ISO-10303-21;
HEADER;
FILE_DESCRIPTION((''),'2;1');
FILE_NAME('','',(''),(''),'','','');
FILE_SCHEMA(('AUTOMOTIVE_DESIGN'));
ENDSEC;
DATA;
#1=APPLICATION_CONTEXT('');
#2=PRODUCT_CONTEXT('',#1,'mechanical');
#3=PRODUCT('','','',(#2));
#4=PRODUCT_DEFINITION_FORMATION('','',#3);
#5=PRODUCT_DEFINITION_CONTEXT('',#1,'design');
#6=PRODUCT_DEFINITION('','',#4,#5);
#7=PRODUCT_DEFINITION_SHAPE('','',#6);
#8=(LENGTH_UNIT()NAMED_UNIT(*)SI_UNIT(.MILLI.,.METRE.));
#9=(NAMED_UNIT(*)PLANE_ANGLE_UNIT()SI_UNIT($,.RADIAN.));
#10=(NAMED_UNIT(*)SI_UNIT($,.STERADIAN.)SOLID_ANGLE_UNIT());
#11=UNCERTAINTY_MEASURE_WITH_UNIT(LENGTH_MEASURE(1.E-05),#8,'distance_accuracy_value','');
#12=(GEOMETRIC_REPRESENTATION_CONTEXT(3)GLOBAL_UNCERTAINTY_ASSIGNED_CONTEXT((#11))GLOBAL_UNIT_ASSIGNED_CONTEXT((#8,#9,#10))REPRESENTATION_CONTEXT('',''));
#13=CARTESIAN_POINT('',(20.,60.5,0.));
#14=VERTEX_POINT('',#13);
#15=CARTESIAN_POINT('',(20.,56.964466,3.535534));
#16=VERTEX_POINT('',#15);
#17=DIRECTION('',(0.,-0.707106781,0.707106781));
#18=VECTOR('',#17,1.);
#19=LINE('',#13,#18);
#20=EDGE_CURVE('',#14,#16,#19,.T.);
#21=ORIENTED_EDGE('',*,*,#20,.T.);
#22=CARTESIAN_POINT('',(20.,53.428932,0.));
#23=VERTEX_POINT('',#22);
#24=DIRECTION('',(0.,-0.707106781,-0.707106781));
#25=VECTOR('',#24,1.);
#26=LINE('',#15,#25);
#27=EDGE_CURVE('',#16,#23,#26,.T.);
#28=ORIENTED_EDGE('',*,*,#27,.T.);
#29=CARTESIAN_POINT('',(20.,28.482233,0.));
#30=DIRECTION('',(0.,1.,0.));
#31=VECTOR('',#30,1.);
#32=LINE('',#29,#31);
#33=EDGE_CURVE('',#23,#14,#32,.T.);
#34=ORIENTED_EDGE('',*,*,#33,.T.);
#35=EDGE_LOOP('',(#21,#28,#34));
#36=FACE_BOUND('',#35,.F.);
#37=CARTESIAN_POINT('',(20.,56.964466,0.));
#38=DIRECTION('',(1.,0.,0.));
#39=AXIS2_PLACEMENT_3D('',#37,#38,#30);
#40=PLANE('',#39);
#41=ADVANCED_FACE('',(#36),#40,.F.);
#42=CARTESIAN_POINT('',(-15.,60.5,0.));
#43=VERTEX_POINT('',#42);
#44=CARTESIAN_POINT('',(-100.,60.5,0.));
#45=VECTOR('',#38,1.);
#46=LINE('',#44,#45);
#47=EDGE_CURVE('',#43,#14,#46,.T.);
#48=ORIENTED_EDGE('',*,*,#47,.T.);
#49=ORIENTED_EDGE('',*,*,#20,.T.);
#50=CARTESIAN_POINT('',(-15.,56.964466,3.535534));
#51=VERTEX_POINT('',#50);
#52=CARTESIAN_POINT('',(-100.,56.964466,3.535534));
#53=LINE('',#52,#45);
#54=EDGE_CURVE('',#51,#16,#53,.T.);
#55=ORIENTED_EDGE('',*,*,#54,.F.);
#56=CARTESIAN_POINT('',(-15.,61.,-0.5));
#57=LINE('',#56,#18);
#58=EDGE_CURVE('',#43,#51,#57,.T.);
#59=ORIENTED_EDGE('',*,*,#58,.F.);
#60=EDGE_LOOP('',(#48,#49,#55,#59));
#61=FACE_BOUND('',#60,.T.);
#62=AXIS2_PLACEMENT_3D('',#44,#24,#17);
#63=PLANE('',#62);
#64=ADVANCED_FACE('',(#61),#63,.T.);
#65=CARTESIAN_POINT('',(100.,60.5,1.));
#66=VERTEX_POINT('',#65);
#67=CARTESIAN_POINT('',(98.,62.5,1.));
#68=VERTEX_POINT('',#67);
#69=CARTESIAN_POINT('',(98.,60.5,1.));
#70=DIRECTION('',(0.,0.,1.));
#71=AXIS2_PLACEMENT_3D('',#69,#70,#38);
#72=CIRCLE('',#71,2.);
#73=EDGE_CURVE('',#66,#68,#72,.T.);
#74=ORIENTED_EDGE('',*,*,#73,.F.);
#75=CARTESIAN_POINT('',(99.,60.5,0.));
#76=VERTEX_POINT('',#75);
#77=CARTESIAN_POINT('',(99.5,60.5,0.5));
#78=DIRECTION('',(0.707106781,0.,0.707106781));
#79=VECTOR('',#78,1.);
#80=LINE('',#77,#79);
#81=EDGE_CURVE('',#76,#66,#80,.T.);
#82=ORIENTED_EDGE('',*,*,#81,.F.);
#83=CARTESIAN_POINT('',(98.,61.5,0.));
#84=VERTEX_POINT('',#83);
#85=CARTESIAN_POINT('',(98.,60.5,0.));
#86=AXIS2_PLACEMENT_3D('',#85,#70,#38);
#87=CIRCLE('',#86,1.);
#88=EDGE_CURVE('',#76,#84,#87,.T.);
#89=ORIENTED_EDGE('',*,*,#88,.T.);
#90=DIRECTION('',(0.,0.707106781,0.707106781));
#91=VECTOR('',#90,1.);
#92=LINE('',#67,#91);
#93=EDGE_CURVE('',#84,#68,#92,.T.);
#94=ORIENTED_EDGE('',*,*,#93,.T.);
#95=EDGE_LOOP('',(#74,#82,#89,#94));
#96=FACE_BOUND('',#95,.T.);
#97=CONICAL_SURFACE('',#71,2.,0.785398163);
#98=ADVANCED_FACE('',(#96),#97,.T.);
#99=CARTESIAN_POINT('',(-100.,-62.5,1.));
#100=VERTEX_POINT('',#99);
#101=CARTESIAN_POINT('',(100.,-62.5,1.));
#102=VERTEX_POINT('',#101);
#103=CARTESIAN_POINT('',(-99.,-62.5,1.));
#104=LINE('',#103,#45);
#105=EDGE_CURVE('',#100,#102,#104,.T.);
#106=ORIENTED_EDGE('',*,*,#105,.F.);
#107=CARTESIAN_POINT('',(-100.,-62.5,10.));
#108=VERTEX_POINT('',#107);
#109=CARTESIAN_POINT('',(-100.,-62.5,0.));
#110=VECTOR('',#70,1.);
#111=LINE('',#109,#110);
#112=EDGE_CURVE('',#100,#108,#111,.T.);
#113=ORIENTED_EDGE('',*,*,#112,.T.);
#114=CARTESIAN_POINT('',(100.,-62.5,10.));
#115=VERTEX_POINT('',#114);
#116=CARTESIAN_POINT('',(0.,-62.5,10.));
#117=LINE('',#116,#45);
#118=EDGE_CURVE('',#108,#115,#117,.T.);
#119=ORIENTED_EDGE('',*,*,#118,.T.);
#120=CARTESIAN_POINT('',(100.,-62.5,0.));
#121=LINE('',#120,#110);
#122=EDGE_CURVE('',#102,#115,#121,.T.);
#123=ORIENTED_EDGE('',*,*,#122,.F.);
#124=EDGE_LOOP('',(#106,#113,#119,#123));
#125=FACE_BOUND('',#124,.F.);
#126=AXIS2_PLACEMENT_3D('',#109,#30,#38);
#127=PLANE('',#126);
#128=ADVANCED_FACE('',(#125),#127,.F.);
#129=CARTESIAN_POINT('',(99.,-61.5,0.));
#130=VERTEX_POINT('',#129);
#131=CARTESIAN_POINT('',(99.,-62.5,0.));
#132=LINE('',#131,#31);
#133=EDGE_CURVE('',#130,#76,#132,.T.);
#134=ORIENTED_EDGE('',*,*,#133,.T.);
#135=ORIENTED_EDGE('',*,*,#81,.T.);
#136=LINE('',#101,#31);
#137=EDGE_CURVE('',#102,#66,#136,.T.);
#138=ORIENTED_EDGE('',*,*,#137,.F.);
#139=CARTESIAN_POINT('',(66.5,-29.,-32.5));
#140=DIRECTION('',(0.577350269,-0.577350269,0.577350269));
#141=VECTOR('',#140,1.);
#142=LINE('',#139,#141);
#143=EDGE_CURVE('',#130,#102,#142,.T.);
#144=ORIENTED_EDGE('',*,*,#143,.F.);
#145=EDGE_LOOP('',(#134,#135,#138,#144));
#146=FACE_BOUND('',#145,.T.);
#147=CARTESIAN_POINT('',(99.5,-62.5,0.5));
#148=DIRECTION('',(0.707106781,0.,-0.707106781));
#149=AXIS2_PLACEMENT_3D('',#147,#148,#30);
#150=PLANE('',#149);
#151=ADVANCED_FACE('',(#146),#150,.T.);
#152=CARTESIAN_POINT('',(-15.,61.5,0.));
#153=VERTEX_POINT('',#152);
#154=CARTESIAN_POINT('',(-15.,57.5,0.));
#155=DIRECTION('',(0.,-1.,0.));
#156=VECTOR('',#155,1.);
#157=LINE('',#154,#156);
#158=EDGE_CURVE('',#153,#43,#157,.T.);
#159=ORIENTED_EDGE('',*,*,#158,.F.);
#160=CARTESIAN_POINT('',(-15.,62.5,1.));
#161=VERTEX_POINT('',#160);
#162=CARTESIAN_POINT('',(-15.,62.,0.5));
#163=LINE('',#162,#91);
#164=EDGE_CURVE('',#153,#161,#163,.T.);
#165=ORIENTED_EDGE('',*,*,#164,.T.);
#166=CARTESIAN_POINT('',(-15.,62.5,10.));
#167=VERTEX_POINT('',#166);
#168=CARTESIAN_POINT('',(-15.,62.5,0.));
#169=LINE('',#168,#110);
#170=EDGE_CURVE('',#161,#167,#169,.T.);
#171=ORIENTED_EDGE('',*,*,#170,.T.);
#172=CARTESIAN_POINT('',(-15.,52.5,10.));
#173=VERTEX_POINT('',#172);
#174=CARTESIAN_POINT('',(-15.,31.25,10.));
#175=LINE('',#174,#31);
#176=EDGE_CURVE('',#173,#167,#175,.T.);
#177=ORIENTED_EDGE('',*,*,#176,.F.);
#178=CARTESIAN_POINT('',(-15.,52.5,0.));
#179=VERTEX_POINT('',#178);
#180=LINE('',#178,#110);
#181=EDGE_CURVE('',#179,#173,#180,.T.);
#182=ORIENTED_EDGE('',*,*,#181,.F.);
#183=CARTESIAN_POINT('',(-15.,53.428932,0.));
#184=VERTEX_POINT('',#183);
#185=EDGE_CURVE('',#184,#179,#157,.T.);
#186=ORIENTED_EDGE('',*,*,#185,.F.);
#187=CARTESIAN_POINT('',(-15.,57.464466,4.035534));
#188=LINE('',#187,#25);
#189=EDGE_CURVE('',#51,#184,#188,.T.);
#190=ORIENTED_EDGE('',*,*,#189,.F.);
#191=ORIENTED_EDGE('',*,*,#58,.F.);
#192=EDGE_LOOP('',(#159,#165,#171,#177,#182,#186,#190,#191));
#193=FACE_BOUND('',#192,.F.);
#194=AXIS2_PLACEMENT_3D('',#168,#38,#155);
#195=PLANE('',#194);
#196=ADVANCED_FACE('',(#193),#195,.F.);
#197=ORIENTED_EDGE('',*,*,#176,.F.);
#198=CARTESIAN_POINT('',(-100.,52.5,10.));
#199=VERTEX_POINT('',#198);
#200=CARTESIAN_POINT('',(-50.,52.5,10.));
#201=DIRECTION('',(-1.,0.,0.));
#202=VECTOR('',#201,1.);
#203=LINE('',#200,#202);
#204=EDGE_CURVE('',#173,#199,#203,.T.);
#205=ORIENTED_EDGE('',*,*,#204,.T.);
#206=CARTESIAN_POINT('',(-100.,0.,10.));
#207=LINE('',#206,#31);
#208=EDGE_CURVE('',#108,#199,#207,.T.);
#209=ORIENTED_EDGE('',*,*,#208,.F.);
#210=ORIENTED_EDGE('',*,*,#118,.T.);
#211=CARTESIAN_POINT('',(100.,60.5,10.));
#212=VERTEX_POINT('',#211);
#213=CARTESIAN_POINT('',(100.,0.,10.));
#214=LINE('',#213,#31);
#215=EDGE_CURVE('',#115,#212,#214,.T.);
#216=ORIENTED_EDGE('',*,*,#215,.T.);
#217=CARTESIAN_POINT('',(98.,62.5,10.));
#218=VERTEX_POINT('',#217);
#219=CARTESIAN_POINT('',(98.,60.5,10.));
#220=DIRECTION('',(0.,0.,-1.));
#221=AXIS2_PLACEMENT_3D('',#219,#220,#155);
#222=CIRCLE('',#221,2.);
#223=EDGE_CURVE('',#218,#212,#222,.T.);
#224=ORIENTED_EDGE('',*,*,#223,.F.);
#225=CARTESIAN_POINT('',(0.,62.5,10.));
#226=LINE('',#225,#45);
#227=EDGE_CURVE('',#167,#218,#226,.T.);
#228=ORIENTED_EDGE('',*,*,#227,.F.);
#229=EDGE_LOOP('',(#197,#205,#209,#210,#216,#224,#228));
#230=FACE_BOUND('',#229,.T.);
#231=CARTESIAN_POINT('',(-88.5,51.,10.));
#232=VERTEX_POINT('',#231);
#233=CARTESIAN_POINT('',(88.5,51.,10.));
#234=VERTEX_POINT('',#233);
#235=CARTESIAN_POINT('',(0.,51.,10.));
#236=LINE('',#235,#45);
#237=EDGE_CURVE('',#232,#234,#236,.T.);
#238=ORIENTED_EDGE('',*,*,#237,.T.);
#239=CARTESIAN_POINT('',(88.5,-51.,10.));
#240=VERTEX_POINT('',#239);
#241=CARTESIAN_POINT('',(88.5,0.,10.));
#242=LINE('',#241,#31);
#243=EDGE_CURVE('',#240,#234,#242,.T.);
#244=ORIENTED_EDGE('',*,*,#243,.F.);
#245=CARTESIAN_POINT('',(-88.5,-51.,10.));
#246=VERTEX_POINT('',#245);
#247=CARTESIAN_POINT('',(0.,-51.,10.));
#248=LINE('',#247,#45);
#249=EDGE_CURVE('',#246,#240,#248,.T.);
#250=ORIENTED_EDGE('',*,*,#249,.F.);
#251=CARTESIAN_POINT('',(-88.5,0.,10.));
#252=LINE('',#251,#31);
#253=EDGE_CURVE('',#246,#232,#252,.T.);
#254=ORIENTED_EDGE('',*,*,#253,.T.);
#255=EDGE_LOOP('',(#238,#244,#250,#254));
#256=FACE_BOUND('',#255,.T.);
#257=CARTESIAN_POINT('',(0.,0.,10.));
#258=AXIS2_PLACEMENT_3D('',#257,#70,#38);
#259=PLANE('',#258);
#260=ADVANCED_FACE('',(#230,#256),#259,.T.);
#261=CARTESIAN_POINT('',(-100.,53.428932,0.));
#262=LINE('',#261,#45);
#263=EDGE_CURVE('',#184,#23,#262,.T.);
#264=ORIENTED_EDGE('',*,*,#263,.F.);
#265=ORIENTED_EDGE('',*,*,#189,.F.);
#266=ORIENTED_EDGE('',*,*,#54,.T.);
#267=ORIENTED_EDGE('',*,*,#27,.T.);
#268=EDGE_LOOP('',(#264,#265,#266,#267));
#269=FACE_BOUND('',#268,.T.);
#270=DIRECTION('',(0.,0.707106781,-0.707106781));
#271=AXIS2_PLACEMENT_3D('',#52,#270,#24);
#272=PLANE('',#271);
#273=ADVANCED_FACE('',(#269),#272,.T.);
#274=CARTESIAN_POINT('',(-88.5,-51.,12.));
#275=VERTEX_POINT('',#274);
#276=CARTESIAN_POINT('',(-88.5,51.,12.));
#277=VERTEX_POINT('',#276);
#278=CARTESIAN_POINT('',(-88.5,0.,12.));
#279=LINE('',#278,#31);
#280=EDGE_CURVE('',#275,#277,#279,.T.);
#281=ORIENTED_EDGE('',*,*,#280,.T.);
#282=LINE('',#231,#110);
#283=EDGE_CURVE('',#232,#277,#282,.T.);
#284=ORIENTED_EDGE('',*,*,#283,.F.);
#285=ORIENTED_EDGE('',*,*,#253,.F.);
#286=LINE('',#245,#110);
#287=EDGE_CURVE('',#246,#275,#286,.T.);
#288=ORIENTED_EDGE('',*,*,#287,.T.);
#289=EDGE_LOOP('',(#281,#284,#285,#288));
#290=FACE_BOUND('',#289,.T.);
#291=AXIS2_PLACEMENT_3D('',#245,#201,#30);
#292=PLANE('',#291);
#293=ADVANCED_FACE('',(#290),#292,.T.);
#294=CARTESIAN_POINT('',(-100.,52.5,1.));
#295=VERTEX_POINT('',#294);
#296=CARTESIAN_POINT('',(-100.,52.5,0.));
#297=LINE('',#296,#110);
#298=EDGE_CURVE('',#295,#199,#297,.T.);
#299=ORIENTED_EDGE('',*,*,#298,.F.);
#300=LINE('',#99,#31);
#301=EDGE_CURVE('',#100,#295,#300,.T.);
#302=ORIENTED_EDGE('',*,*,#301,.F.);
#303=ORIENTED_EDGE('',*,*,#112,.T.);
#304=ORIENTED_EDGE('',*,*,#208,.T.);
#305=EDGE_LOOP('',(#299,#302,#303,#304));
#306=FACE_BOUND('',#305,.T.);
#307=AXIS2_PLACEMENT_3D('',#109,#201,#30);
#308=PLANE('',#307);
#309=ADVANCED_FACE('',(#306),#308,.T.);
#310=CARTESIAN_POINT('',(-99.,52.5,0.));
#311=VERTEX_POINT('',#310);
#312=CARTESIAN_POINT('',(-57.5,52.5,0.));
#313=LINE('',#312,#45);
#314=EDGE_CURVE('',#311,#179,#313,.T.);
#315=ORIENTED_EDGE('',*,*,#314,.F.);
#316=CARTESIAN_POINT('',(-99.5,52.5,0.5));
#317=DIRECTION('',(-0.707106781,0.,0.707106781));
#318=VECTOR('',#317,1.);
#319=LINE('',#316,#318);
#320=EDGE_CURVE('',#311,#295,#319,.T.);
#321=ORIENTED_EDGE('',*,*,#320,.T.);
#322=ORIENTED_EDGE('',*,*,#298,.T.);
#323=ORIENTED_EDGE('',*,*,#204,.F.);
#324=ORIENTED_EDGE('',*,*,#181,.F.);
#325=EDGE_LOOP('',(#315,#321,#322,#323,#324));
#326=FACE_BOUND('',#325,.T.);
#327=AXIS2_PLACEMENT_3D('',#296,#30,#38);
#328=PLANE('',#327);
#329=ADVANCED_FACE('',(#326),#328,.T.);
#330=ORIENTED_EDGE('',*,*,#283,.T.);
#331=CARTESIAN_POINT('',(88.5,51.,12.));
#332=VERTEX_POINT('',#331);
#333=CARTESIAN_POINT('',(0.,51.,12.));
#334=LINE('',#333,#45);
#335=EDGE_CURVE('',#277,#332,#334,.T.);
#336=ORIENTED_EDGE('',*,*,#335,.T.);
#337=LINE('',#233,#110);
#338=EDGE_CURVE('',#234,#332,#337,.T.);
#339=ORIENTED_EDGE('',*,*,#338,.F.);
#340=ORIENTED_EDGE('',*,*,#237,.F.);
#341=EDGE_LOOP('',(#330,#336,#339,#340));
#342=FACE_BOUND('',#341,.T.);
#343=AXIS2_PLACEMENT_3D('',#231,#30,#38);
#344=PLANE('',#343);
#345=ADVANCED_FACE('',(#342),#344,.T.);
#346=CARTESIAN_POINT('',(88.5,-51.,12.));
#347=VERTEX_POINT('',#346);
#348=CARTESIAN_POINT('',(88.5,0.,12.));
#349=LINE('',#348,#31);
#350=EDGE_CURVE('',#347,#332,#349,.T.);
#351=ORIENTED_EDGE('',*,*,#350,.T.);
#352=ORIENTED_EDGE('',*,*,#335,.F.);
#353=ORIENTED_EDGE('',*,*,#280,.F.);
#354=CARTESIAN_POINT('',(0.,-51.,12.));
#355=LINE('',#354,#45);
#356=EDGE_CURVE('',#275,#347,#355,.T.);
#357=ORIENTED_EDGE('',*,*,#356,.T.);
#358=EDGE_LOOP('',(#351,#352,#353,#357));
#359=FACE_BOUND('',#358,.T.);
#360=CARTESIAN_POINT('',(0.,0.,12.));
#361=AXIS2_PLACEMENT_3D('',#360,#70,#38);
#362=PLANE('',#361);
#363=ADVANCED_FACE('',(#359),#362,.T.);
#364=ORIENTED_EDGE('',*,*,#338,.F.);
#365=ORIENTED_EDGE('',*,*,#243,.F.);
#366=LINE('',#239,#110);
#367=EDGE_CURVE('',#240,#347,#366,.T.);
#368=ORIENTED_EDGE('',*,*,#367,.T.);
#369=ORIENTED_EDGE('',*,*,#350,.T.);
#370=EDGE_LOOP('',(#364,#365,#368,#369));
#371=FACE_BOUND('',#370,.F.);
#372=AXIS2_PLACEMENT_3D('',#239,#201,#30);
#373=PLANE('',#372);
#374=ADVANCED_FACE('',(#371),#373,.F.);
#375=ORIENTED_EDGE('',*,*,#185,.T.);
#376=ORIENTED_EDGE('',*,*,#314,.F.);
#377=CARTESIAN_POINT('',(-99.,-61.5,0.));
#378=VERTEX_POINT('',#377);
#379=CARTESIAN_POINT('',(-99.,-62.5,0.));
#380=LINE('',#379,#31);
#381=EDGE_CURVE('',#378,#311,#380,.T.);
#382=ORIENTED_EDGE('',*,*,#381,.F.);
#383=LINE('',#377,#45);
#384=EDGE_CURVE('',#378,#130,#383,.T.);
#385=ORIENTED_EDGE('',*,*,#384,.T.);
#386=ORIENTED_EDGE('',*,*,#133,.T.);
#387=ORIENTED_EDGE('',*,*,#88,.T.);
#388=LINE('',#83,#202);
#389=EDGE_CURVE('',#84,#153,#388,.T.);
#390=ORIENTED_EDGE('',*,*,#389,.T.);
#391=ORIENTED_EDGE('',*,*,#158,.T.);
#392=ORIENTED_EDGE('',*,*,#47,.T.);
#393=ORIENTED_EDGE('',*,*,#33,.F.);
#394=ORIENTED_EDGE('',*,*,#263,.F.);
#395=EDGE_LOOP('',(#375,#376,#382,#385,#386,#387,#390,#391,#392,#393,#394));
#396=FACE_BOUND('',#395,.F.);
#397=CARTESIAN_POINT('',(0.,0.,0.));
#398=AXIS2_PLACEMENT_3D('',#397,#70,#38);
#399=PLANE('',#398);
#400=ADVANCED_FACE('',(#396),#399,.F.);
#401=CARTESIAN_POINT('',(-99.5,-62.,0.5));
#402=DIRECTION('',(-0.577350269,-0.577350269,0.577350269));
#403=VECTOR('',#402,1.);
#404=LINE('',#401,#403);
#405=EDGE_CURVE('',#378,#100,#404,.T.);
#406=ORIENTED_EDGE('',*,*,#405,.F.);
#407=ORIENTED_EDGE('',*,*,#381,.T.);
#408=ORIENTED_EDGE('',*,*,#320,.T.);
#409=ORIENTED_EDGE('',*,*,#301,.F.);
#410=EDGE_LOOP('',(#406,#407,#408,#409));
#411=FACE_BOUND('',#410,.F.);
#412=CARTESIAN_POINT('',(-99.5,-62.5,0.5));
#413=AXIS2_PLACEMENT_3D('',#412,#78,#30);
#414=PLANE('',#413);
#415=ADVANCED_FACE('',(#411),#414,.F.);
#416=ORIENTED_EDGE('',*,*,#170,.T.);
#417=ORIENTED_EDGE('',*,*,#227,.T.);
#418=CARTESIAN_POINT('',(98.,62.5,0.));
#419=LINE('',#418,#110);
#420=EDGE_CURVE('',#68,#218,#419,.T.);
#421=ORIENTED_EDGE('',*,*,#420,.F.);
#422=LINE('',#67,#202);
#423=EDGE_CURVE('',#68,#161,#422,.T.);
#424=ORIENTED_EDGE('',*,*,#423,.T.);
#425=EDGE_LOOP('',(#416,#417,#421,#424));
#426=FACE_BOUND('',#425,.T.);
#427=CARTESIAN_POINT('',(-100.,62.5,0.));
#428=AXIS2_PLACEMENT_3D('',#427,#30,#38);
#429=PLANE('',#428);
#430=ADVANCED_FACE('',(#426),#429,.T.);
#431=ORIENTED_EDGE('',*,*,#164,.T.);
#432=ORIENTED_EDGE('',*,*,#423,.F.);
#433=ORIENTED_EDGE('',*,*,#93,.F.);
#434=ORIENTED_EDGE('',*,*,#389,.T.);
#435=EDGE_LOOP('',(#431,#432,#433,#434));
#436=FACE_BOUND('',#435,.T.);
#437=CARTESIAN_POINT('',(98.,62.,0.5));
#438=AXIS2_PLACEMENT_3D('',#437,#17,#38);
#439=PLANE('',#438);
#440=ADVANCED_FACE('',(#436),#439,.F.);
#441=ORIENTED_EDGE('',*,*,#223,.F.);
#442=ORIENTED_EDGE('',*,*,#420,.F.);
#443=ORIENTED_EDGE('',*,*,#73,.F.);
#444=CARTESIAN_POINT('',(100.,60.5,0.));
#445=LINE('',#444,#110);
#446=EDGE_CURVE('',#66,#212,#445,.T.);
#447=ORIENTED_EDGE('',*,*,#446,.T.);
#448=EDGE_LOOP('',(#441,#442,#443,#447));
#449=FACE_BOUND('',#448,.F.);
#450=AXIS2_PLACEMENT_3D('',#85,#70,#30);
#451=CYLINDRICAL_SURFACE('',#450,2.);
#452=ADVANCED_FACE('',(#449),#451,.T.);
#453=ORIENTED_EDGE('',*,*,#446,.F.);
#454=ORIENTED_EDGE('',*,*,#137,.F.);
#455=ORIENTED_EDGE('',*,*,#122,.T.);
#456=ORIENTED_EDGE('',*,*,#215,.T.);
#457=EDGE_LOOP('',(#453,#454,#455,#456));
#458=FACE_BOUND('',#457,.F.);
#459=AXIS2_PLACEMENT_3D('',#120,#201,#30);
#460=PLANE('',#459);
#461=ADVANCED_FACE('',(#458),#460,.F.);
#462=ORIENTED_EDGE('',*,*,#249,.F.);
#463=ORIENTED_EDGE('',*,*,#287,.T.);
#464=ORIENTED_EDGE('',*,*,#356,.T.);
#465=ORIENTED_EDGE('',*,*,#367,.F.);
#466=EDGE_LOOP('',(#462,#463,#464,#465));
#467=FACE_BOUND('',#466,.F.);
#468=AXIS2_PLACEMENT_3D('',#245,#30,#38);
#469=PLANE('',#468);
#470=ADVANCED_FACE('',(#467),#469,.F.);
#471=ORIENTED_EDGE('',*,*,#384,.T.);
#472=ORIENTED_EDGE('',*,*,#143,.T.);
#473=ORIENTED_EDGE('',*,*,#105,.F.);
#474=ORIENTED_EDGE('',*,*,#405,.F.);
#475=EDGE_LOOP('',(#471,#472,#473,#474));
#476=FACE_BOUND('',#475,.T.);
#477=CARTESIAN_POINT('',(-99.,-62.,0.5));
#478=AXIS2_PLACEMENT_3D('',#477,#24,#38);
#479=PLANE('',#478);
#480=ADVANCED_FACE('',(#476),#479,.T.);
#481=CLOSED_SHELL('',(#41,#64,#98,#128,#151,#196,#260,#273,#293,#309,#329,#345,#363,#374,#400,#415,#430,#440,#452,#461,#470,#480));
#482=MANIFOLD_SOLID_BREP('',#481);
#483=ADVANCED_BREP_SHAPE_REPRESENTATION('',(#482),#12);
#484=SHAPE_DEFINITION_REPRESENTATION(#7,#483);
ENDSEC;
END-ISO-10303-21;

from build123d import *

# Parameters (mm, degrees)
SKETCH_W        = 200
SKETCH_H        = 125
PAD_DEPTH       = 10
SKETCH001_W     = 177
SKETCH001_H     = 102
PAD001_DEPTH    = 2
POCKET_DEPTH    = 120
SKETCH003_W     = 85
SKETCH003_H     = 10
POCKET001_DEPTH = 12.001
FILLET_R        = 2
CHAMFER_SIZE    = 1
CHAMFER001_SIZE = 1
CHAMFER002_SIZE = 1


with BuildPart() as part:
    # Sketch → Pad (new body)
    with BuildSketch(Plane.XY):
        Rectangle(SKETCH_W, SKETCH_H)
    extrude(amount=PAD_DEPTH)

    # Sketch001 (on Face6 of Pad) → Pad001 (join)
    with BuildSketch(Plane.XY.offset(10)):
        Rectangle(SKETCH001_W, SKETCH001_H)
    extrude(amount=PAD001_DEPTH)

    # Sketch002 (on Face2 of Pad001) → Pocket (cut)
    with BuildSketch(Plane(origin=(-100, 0, 0), x_dir=(0, -1, 0), z_dir=(-1, 0, 0))):
        Polygon((-60.5, 0), (-56.964466, 3.535534), (-53.428932, 0), (-56.964466, -3.535534), align=None)
    extrude(amount=-POCKET_DEPTH, mode=Mode.SUBTRACT)

    # Sketch003 (on Face4 of Pocket) → Pocket001 (cut, through all)
    with BuildSketch(Plane(origin=(0, 0, 0), x_dir=(1, 0, 0), z_dir=(0, 0, -1))):
        with Locations((-57.5, -57.5)):
            Rectangle(SKETCH003_W, SKETCH003_H)
    extrude(amount=-POCKET001_DEPTH, mode=Mode.SUBTRACT)

    # Fillet
    fillet_edges = [part.edges().sort_by_distance(p)[0] for p in [
        (100, 62.5, 5),
    ]]
    fillet(fillet_edges, radius=FILLET_R)

    # Chamfer
    chamfer_edges = [part.edges().sort_by_distance(p)[0] for p in [
        (100, -1, 0),
    ]]
    chamfer(chamfer_edges, length=CHAMFER_SIZE)

    # Chamfer001
    chamfer001_edges = [part.edges().sort_by_distance(p)[0] for p in [
        (-100, -5, 0),
    ]]
    chamfer(chamfer001_edges, length=CHAMFER001_SIZE)

    # Chamfer002
    chamfer002_edges = [part.edges().sort_by_distance(p)[0] for p in [
        (0, -62.5, 0),
    ]]
    chamfer(chamfer002_edges, length=CHAMFER002_SIZE)


solid = part.part
